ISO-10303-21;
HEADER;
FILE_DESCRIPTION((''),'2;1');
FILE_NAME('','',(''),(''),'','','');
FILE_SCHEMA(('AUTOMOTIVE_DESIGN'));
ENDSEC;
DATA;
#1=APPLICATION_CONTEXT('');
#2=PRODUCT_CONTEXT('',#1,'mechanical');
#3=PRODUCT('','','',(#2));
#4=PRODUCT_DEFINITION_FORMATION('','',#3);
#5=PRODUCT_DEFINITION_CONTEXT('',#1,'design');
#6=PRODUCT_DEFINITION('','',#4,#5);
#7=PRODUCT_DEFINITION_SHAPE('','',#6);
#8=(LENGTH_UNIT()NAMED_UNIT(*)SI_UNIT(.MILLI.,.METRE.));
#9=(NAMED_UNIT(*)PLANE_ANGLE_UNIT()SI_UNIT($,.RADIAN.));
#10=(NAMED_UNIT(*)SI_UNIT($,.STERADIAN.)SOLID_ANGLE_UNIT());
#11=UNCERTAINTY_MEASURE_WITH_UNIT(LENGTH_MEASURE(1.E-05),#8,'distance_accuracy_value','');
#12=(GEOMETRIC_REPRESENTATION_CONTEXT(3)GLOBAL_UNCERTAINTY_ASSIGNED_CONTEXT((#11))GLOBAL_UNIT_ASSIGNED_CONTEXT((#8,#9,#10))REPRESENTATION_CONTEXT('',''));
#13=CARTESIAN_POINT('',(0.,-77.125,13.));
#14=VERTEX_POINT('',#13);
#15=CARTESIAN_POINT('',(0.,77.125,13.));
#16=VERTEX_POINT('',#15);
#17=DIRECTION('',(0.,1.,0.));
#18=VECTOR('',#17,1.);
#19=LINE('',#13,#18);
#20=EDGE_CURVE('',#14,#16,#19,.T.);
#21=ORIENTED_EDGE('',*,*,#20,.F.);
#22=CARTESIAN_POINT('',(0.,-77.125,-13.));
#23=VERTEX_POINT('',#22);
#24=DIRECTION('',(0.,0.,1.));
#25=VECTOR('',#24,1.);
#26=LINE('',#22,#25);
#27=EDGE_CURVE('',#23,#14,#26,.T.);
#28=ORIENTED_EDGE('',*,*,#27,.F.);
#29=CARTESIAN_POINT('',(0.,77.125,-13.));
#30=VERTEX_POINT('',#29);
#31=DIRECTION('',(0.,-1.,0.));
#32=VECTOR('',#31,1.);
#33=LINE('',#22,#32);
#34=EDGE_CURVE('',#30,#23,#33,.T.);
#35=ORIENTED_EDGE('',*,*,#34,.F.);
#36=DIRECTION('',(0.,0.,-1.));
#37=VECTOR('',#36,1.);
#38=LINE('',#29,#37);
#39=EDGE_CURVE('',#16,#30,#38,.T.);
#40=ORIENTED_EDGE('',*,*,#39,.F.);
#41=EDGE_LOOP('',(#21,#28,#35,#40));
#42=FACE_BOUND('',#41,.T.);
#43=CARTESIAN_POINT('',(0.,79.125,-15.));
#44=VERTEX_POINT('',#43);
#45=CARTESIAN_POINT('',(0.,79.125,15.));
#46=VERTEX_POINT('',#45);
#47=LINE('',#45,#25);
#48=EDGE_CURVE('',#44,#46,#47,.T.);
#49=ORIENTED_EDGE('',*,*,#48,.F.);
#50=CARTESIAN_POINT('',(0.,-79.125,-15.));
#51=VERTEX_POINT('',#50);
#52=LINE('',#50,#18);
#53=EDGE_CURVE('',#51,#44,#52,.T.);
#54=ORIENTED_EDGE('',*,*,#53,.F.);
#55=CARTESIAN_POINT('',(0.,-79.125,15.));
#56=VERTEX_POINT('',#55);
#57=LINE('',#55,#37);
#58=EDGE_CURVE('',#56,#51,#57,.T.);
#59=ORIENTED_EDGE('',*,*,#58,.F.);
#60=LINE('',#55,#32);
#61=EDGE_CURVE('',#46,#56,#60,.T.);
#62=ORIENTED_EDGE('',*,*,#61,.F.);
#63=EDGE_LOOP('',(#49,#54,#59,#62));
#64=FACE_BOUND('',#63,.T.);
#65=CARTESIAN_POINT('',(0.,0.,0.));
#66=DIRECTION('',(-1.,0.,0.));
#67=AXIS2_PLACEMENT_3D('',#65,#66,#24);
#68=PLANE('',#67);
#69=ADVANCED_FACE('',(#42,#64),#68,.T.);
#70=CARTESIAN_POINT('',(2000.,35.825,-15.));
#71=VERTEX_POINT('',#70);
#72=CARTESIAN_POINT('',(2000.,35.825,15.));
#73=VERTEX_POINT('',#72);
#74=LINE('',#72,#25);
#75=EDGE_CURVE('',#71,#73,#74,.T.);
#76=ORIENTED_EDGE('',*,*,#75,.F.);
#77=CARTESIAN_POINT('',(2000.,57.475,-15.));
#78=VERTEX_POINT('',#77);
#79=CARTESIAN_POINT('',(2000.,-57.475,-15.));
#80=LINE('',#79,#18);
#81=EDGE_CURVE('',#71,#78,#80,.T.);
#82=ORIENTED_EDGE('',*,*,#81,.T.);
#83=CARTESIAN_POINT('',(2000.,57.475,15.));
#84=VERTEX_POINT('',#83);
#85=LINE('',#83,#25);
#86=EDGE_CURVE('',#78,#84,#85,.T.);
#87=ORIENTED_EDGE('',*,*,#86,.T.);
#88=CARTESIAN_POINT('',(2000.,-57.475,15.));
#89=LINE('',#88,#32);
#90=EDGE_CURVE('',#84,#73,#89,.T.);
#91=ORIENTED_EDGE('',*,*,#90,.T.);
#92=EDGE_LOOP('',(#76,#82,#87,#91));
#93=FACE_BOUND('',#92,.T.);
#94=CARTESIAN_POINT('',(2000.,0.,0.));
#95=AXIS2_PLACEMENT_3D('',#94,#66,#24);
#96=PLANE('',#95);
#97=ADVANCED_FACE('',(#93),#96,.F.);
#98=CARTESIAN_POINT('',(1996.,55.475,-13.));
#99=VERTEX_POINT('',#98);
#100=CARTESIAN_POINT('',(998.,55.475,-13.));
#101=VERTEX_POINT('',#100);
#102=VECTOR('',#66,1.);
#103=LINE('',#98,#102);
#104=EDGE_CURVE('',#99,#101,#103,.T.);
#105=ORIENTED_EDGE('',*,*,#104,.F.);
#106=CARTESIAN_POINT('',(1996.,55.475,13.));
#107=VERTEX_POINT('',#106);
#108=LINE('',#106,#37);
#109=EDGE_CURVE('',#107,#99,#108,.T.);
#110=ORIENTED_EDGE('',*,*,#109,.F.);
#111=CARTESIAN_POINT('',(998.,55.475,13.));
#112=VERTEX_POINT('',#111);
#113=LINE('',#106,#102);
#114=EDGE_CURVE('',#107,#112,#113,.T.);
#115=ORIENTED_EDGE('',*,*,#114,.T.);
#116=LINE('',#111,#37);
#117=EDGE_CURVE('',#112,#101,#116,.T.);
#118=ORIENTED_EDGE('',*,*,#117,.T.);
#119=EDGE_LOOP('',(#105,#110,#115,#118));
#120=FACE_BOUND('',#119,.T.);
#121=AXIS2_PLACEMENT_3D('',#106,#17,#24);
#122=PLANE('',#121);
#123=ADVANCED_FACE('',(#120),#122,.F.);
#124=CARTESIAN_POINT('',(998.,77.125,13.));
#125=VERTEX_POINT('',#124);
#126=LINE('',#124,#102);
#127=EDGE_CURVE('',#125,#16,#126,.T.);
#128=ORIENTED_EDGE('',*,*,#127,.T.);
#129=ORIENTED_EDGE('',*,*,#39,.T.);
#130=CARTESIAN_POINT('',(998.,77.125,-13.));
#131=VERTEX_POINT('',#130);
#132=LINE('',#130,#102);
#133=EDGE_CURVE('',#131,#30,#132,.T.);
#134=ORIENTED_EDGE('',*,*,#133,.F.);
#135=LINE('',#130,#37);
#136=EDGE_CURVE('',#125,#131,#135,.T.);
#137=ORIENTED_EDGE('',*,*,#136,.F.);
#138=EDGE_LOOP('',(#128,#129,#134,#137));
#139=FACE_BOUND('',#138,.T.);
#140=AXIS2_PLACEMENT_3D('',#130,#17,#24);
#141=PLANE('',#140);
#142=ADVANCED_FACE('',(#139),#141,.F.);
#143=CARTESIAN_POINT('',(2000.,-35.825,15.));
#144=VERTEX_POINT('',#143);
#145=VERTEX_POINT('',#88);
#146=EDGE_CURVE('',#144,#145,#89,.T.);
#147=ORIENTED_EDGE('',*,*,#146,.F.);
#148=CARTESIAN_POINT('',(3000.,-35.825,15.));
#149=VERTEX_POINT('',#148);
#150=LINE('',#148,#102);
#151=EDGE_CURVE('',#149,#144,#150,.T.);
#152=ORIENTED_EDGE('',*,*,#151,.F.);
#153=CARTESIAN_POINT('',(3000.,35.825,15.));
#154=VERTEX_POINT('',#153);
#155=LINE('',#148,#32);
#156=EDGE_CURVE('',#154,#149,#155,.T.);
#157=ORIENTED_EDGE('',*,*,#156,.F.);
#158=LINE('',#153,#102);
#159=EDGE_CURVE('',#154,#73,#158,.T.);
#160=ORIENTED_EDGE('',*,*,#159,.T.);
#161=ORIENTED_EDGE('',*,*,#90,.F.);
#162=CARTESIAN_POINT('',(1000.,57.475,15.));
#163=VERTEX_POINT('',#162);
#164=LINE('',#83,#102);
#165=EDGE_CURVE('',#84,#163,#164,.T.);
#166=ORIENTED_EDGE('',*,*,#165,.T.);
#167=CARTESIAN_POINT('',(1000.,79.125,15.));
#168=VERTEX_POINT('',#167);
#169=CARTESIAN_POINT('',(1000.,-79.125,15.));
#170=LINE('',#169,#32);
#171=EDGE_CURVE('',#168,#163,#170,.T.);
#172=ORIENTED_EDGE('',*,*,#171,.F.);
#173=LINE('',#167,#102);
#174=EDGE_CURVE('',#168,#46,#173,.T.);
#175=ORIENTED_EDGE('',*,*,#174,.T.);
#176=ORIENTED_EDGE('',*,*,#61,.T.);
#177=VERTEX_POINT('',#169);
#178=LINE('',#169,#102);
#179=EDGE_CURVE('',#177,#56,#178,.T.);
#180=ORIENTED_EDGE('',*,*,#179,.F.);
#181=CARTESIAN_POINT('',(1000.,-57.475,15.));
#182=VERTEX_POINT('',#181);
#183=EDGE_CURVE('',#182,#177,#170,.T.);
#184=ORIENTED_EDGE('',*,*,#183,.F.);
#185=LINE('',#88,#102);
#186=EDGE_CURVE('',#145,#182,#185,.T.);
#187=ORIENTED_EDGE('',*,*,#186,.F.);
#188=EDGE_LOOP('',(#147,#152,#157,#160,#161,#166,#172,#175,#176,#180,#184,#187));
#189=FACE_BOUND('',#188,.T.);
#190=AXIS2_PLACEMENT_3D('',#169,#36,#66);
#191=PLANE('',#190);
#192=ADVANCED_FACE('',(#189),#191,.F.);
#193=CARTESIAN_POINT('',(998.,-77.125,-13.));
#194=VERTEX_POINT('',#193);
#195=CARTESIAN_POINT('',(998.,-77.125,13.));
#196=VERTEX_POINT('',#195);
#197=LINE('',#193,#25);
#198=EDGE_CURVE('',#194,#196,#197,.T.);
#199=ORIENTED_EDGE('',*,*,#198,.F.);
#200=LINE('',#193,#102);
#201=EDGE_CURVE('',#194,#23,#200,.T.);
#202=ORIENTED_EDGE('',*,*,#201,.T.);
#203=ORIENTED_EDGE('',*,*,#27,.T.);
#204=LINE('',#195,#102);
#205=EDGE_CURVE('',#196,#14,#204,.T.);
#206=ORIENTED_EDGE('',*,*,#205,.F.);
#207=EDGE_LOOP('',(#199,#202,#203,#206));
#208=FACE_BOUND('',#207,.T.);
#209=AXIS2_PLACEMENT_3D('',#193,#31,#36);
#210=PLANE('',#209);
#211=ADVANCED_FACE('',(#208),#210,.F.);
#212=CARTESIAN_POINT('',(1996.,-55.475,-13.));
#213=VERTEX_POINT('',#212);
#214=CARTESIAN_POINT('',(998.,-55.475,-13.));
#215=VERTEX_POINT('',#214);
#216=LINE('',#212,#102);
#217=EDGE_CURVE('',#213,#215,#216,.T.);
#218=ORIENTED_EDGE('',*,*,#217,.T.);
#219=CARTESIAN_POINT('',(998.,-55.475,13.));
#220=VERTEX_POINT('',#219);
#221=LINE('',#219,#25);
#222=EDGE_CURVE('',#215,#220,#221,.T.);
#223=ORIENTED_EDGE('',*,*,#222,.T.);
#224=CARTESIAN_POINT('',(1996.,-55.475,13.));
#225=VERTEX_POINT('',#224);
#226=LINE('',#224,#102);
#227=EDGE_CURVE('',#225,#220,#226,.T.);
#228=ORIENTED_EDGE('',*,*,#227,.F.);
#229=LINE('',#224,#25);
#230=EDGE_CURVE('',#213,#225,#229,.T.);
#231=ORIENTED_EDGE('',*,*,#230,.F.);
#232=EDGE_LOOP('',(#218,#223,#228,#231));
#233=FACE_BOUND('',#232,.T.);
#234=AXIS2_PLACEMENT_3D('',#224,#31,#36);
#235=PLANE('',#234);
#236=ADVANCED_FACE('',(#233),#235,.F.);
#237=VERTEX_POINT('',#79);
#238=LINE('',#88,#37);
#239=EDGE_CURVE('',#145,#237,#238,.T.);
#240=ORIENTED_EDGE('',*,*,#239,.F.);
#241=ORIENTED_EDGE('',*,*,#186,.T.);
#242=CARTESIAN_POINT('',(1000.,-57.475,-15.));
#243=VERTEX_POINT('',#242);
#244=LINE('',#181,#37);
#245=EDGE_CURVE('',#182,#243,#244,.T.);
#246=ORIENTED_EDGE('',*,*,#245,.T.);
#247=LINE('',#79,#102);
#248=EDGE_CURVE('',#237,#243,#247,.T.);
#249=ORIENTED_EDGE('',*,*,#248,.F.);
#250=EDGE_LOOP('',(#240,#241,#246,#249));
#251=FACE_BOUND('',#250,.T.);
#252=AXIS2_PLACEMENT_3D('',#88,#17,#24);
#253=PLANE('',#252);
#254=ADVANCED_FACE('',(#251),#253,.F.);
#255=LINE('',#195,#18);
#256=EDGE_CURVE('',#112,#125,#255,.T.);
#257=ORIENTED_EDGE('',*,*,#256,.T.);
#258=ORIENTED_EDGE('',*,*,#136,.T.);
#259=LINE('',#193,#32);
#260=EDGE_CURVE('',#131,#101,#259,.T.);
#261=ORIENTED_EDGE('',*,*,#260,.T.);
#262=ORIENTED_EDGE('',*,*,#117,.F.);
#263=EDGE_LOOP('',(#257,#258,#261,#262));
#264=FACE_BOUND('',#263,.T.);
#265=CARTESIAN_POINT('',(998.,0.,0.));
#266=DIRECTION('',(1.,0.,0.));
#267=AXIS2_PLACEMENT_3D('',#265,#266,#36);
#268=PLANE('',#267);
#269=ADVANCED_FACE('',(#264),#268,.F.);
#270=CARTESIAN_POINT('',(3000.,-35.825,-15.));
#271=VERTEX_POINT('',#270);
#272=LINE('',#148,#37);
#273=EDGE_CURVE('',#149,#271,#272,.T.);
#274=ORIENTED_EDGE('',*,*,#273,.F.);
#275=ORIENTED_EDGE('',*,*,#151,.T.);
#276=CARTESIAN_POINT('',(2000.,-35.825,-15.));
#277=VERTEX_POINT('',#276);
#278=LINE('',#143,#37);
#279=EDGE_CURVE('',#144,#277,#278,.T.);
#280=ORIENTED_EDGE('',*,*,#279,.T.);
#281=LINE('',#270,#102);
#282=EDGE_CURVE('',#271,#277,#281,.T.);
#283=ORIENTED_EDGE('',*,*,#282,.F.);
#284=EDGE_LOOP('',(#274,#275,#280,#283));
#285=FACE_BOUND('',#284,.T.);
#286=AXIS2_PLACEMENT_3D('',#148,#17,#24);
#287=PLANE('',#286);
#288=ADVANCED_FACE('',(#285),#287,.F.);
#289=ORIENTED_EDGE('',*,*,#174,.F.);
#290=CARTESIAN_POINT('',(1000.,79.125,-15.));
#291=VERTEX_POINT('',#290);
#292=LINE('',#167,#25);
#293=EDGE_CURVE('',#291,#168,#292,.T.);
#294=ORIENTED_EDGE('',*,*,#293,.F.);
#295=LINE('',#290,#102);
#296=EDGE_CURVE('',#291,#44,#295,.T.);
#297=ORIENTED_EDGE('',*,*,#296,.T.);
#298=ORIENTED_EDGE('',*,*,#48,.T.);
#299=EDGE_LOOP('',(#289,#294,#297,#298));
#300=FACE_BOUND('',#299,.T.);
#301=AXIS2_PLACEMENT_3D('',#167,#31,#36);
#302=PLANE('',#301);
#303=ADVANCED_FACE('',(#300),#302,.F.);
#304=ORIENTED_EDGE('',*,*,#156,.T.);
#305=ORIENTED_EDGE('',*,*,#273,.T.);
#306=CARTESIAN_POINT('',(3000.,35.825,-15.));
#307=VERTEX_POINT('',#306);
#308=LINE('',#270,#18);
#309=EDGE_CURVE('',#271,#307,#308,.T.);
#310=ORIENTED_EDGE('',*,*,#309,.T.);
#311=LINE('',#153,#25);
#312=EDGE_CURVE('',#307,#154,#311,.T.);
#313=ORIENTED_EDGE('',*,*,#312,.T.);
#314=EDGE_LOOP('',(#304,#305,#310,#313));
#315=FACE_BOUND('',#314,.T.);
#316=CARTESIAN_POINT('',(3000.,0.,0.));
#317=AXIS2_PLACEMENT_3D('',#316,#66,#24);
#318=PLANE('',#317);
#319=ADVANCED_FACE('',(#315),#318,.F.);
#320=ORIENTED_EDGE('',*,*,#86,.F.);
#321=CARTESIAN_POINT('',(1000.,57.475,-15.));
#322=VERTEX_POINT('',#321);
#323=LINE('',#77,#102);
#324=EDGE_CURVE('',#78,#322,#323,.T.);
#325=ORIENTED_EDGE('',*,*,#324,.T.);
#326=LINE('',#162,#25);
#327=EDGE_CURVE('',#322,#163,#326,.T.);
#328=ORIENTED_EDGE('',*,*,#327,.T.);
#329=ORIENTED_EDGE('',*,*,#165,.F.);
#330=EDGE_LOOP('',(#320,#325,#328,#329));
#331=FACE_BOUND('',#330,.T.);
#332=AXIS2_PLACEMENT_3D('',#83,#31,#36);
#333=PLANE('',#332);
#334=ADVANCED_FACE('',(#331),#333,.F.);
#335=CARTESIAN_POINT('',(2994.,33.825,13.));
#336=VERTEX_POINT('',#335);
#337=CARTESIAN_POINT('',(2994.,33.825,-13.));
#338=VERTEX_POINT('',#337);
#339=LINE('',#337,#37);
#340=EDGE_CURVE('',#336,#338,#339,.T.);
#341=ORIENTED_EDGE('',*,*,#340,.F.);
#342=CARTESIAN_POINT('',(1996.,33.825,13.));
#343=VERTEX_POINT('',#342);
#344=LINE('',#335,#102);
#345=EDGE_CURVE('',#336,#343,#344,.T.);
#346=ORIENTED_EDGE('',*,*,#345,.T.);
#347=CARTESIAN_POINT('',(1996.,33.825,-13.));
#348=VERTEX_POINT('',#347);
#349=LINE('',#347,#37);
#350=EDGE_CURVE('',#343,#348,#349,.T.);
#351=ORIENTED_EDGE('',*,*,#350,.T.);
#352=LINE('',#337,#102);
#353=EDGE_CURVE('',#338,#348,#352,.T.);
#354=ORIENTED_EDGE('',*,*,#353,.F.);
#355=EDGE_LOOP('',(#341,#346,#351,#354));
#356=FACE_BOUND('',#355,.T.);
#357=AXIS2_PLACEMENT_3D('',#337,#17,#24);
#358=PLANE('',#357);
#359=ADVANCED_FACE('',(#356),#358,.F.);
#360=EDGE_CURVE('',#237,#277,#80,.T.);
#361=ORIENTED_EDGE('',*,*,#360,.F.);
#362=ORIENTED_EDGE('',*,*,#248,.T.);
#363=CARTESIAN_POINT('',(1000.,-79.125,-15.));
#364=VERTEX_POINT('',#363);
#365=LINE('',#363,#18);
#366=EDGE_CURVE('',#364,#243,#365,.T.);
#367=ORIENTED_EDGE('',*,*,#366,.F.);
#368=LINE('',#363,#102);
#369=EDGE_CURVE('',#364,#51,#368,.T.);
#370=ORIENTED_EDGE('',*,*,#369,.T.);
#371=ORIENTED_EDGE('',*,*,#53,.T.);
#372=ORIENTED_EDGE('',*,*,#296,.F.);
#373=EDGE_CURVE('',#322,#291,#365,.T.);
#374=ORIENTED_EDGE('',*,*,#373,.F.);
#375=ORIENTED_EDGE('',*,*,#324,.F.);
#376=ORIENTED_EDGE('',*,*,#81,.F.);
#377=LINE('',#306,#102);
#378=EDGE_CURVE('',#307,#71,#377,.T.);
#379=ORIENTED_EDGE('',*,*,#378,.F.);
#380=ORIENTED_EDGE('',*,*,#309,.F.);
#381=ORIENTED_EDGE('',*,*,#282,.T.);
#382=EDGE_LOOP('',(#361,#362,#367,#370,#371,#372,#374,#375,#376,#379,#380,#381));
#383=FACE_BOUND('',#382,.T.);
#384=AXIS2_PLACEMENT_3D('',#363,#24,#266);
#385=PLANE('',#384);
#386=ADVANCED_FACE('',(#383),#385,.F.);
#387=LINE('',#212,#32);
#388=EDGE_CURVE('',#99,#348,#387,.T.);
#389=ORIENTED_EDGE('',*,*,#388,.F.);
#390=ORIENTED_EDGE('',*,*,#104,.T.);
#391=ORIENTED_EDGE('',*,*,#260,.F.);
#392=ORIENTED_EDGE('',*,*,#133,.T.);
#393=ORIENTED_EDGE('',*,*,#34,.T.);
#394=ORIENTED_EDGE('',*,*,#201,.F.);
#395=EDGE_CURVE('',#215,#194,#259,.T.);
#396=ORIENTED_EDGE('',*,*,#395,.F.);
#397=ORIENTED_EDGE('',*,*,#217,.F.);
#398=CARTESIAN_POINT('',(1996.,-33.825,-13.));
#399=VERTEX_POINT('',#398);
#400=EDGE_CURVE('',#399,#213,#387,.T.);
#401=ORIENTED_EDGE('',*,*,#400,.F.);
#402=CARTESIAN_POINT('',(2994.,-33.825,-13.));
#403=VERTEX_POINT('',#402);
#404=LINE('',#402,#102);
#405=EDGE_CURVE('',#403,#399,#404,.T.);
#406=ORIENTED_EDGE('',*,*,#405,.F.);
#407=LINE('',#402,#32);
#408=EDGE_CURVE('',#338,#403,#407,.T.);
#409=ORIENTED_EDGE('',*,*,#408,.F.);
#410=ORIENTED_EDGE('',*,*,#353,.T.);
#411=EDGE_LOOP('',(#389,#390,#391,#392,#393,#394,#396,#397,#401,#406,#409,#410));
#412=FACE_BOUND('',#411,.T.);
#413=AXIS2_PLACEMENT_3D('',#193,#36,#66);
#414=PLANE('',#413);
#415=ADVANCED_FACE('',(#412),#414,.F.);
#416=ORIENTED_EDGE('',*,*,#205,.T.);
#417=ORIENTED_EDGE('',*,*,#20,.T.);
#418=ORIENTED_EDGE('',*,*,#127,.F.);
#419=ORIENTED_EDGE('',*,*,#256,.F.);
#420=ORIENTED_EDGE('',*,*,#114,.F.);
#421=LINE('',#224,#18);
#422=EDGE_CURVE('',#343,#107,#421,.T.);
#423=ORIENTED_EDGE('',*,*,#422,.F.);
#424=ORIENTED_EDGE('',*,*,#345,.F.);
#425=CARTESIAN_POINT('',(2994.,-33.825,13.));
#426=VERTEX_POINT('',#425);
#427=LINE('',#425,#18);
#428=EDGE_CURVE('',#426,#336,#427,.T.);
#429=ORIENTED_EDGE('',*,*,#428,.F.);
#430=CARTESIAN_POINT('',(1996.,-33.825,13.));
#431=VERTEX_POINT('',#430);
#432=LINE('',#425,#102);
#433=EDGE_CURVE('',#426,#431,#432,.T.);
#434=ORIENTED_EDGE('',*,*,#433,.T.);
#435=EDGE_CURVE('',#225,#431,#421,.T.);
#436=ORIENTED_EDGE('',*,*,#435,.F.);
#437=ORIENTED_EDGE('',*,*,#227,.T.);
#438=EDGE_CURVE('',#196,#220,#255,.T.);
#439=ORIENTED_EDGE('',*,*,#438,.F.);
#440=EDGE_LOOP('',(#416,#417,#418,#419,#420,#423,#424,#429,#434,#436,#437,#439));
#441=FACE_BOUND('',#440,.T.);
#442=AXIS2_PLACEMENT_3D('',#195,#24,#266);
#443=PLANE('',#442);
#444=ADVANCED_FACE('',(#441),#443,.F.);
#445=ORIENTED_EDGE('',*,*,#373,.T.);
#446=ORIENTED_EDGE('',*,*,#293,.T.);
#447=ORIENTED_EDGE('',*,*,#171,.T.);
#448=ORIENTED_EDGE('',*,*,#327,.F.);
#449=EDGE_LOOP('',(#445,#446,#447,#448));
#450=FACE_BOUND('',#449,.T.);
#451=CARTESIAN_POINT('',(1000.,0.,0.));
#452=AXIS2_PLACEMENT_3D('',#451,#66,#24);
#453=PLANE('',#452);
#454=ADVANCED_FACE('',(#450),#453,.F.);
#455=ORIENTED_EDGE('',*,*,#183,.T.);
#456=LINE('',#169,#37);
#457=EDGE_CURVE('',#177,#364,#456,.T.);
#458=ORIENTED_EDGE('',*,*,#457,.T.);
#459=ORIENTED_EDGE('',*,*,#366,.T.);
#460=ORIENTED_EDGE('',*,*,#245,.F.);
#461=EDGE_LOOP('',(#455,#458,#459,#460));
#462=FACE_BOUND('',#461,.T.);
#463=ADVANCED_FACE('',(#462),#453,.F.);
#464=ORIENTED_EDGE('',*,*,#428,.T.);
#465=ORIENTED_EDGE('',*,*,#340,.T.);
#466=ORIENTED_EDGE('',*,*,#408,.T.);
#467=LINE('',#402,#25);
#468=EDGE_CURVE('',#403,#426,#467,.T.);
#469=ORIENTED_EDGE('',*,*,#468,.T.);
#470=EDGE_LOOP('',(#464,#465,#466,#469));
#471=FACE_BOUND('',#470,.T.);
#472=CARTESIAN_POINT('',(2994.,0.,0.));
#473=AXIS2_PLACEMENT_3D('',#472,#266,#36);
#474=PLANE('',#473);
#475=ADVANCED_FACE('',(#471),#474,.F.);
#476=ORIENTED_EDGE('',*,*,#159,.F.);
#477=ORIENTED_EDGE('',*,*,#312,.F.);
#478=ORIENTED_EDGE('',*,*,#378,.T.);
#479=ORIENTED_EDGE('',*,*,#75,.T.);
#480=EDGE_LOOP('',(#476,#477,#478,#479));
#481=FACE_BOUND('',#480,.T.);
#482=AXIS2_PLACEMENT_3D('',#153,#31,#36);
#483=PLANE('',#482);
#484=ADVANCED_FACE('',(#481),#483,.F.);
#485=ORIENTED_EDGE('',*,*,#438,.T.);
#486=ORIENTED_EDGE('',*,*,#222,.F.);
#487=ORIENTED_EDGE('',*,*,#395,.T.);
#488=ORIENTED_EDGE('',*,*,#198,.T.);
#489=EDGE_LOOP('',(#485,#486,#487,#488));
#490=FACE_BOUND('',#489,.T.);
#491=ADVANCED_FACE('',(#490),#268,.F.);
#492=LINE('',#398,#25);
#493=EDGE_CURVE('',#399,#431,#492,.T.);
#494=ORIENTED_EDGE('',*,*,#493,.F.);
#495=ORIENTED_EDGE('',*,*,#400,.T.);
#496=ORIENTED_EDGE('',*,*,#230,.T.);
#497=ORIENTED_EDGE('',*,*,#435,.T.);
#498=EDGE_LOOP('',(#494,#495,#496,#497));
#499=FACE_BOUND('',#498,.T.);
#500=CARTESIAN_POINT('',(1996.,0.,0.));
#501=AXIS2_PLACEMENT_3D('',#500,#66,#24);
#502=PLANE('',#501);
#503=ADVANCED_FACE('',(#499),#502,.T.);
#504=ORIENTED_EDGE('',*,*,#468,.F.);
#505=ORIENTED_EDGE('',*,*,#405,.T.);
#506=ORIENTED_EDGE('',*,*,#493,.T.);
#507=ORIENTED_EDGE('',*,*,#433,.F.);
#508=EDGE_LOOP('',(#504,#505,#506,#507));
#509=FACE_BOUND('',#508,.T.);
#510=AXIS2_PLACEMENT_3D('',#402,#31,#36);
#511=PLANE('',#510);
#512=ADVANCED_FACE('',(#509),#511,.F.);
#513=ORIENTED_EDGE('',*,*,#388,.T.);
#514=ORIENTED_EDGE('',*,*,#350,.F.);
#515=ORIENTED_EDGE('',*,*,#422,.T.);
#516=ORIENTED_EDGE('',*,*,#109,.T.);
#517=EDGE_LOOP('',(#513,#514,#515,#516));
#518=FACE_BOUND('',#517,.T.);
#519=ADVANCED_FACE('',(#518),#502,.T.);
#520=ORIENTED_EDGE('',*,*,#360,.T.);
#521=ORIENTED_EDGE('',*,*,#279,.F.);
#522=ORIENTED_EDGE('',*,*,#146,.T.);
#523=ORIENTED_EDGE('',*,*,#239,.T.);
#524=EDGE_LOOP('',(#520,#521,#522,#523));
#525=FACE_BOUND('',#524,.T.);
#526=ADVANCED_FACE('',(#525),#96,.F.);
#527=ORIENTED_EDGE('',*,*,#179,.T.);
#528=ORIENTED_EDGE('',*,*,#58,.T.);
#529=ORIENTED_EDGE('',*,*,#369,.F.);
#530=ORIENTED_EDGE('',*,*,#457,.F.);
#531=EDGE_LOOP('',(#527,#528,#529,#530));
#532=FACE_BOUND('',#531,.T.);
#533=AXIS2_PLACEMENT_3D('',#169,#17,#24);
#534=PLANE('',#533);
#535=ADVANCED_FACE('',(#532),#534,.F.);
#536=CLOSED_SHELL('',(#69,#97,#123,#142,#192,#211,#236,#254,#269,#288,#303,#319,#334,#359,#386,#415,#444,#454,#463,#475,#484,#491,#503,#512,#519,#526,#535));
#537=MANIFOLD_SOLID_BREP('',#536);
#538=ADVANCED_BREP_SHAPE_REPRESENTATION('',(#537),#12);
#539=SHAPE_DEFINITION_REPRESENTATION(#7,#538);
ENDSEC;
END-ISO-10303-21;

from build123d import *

# Parameters (mm, degrees)
SKETCH1_W           = 30
SKETCH1_H           = 158.25
BOSS_EXTRUDE1_DEPTH = 1000
SKETCH3_W           = 30
SKETCH3_H           = 114.95
BOSS_EXTRUDE2_DEPTH = 1000
SKETCH4_W           = 30
SKETCH4_H           = 71.65
BOSS_EXTRUDE3_DEPTH = 1000
SKETCH5_W           = 26
SKETCH5_H           = 154.25
CUT_EXTRUDE1_DEPTH  = 998
SKETCH6_W           = 26
SKETCH6_H           = 110.95
CUT_EXTRUDE2_DEPTH  = 998
SKETCH7_W           = 26
SKETCH7_H           = 67.65
CUT_EXTRUDE3_DEPTH  = 998


with BuildPart() as part:
    # Sketch1 → Boss-Extrude1 (new body)
    with BuildSketch(Plane(origin=(0, 0, 0), x_dir=(0, 0, -1), z_dir=(1, 0, 0))):
        Rectangle(SKETCH1_W, SKETCH1_H)
    extrude(amount=BOSS_EXTRUDE1_DEPTH)

    # Sketch3 → Boss-Extrude2 (add)
    with BuildSketch(Plane(origin=(1000, 0, 0), x_dir=(0, 0, -1), z_dir=(1, 0, 0))):
        Rectangle(SKETCH3_W, SKETCH3_H)
    extrude(amount=BOSS_EXTRUDE2_DEPTH)

    # Sketch4 → Boss-Extrude3 (add)
    with BuildSketch(Plane(origin=(2000, 0, 0), x_dir=(0, 0, -1), z_dir=(1, 0, 0))):
        Rectangle(SKETCH4_W, SKETCH4_H)
    extrude(amount=BOSS_EXTRUDE3_DEPTH)

    # Sketch5 → Cut-Extrude1 (cut)
    with BuildSketch(Plane.ZY):
        Rectangle(SKETCH5_W, SKETCH5_H)
    extrude(amount=-CUT_EXTRUDE1_DEPTH, mode=Mode.SUBTRACT)

    # Sketch6 → Cut-Extrude2 (cut)
    with BuildSketch(Plane.ZY.offset(-998)):
        Rectangle(SKETCH6_W, SKETCH6_H)
    extrude(amount=-CUT_EXTRUDE2_DEPTH, mode=Mode.SUBTRACT)

    # Sketch7 → Cut-Extrude3 (cut)
    with BuildSketch(Plane.ZY.offset(-1996)):
        Rectangle(SKETCH7_W, SKETCH7_H)
    extrude(amount=-CUT_EXTRUDE3_DEPTH, mode=Mode.SUBTRACT)


solid = part.part
